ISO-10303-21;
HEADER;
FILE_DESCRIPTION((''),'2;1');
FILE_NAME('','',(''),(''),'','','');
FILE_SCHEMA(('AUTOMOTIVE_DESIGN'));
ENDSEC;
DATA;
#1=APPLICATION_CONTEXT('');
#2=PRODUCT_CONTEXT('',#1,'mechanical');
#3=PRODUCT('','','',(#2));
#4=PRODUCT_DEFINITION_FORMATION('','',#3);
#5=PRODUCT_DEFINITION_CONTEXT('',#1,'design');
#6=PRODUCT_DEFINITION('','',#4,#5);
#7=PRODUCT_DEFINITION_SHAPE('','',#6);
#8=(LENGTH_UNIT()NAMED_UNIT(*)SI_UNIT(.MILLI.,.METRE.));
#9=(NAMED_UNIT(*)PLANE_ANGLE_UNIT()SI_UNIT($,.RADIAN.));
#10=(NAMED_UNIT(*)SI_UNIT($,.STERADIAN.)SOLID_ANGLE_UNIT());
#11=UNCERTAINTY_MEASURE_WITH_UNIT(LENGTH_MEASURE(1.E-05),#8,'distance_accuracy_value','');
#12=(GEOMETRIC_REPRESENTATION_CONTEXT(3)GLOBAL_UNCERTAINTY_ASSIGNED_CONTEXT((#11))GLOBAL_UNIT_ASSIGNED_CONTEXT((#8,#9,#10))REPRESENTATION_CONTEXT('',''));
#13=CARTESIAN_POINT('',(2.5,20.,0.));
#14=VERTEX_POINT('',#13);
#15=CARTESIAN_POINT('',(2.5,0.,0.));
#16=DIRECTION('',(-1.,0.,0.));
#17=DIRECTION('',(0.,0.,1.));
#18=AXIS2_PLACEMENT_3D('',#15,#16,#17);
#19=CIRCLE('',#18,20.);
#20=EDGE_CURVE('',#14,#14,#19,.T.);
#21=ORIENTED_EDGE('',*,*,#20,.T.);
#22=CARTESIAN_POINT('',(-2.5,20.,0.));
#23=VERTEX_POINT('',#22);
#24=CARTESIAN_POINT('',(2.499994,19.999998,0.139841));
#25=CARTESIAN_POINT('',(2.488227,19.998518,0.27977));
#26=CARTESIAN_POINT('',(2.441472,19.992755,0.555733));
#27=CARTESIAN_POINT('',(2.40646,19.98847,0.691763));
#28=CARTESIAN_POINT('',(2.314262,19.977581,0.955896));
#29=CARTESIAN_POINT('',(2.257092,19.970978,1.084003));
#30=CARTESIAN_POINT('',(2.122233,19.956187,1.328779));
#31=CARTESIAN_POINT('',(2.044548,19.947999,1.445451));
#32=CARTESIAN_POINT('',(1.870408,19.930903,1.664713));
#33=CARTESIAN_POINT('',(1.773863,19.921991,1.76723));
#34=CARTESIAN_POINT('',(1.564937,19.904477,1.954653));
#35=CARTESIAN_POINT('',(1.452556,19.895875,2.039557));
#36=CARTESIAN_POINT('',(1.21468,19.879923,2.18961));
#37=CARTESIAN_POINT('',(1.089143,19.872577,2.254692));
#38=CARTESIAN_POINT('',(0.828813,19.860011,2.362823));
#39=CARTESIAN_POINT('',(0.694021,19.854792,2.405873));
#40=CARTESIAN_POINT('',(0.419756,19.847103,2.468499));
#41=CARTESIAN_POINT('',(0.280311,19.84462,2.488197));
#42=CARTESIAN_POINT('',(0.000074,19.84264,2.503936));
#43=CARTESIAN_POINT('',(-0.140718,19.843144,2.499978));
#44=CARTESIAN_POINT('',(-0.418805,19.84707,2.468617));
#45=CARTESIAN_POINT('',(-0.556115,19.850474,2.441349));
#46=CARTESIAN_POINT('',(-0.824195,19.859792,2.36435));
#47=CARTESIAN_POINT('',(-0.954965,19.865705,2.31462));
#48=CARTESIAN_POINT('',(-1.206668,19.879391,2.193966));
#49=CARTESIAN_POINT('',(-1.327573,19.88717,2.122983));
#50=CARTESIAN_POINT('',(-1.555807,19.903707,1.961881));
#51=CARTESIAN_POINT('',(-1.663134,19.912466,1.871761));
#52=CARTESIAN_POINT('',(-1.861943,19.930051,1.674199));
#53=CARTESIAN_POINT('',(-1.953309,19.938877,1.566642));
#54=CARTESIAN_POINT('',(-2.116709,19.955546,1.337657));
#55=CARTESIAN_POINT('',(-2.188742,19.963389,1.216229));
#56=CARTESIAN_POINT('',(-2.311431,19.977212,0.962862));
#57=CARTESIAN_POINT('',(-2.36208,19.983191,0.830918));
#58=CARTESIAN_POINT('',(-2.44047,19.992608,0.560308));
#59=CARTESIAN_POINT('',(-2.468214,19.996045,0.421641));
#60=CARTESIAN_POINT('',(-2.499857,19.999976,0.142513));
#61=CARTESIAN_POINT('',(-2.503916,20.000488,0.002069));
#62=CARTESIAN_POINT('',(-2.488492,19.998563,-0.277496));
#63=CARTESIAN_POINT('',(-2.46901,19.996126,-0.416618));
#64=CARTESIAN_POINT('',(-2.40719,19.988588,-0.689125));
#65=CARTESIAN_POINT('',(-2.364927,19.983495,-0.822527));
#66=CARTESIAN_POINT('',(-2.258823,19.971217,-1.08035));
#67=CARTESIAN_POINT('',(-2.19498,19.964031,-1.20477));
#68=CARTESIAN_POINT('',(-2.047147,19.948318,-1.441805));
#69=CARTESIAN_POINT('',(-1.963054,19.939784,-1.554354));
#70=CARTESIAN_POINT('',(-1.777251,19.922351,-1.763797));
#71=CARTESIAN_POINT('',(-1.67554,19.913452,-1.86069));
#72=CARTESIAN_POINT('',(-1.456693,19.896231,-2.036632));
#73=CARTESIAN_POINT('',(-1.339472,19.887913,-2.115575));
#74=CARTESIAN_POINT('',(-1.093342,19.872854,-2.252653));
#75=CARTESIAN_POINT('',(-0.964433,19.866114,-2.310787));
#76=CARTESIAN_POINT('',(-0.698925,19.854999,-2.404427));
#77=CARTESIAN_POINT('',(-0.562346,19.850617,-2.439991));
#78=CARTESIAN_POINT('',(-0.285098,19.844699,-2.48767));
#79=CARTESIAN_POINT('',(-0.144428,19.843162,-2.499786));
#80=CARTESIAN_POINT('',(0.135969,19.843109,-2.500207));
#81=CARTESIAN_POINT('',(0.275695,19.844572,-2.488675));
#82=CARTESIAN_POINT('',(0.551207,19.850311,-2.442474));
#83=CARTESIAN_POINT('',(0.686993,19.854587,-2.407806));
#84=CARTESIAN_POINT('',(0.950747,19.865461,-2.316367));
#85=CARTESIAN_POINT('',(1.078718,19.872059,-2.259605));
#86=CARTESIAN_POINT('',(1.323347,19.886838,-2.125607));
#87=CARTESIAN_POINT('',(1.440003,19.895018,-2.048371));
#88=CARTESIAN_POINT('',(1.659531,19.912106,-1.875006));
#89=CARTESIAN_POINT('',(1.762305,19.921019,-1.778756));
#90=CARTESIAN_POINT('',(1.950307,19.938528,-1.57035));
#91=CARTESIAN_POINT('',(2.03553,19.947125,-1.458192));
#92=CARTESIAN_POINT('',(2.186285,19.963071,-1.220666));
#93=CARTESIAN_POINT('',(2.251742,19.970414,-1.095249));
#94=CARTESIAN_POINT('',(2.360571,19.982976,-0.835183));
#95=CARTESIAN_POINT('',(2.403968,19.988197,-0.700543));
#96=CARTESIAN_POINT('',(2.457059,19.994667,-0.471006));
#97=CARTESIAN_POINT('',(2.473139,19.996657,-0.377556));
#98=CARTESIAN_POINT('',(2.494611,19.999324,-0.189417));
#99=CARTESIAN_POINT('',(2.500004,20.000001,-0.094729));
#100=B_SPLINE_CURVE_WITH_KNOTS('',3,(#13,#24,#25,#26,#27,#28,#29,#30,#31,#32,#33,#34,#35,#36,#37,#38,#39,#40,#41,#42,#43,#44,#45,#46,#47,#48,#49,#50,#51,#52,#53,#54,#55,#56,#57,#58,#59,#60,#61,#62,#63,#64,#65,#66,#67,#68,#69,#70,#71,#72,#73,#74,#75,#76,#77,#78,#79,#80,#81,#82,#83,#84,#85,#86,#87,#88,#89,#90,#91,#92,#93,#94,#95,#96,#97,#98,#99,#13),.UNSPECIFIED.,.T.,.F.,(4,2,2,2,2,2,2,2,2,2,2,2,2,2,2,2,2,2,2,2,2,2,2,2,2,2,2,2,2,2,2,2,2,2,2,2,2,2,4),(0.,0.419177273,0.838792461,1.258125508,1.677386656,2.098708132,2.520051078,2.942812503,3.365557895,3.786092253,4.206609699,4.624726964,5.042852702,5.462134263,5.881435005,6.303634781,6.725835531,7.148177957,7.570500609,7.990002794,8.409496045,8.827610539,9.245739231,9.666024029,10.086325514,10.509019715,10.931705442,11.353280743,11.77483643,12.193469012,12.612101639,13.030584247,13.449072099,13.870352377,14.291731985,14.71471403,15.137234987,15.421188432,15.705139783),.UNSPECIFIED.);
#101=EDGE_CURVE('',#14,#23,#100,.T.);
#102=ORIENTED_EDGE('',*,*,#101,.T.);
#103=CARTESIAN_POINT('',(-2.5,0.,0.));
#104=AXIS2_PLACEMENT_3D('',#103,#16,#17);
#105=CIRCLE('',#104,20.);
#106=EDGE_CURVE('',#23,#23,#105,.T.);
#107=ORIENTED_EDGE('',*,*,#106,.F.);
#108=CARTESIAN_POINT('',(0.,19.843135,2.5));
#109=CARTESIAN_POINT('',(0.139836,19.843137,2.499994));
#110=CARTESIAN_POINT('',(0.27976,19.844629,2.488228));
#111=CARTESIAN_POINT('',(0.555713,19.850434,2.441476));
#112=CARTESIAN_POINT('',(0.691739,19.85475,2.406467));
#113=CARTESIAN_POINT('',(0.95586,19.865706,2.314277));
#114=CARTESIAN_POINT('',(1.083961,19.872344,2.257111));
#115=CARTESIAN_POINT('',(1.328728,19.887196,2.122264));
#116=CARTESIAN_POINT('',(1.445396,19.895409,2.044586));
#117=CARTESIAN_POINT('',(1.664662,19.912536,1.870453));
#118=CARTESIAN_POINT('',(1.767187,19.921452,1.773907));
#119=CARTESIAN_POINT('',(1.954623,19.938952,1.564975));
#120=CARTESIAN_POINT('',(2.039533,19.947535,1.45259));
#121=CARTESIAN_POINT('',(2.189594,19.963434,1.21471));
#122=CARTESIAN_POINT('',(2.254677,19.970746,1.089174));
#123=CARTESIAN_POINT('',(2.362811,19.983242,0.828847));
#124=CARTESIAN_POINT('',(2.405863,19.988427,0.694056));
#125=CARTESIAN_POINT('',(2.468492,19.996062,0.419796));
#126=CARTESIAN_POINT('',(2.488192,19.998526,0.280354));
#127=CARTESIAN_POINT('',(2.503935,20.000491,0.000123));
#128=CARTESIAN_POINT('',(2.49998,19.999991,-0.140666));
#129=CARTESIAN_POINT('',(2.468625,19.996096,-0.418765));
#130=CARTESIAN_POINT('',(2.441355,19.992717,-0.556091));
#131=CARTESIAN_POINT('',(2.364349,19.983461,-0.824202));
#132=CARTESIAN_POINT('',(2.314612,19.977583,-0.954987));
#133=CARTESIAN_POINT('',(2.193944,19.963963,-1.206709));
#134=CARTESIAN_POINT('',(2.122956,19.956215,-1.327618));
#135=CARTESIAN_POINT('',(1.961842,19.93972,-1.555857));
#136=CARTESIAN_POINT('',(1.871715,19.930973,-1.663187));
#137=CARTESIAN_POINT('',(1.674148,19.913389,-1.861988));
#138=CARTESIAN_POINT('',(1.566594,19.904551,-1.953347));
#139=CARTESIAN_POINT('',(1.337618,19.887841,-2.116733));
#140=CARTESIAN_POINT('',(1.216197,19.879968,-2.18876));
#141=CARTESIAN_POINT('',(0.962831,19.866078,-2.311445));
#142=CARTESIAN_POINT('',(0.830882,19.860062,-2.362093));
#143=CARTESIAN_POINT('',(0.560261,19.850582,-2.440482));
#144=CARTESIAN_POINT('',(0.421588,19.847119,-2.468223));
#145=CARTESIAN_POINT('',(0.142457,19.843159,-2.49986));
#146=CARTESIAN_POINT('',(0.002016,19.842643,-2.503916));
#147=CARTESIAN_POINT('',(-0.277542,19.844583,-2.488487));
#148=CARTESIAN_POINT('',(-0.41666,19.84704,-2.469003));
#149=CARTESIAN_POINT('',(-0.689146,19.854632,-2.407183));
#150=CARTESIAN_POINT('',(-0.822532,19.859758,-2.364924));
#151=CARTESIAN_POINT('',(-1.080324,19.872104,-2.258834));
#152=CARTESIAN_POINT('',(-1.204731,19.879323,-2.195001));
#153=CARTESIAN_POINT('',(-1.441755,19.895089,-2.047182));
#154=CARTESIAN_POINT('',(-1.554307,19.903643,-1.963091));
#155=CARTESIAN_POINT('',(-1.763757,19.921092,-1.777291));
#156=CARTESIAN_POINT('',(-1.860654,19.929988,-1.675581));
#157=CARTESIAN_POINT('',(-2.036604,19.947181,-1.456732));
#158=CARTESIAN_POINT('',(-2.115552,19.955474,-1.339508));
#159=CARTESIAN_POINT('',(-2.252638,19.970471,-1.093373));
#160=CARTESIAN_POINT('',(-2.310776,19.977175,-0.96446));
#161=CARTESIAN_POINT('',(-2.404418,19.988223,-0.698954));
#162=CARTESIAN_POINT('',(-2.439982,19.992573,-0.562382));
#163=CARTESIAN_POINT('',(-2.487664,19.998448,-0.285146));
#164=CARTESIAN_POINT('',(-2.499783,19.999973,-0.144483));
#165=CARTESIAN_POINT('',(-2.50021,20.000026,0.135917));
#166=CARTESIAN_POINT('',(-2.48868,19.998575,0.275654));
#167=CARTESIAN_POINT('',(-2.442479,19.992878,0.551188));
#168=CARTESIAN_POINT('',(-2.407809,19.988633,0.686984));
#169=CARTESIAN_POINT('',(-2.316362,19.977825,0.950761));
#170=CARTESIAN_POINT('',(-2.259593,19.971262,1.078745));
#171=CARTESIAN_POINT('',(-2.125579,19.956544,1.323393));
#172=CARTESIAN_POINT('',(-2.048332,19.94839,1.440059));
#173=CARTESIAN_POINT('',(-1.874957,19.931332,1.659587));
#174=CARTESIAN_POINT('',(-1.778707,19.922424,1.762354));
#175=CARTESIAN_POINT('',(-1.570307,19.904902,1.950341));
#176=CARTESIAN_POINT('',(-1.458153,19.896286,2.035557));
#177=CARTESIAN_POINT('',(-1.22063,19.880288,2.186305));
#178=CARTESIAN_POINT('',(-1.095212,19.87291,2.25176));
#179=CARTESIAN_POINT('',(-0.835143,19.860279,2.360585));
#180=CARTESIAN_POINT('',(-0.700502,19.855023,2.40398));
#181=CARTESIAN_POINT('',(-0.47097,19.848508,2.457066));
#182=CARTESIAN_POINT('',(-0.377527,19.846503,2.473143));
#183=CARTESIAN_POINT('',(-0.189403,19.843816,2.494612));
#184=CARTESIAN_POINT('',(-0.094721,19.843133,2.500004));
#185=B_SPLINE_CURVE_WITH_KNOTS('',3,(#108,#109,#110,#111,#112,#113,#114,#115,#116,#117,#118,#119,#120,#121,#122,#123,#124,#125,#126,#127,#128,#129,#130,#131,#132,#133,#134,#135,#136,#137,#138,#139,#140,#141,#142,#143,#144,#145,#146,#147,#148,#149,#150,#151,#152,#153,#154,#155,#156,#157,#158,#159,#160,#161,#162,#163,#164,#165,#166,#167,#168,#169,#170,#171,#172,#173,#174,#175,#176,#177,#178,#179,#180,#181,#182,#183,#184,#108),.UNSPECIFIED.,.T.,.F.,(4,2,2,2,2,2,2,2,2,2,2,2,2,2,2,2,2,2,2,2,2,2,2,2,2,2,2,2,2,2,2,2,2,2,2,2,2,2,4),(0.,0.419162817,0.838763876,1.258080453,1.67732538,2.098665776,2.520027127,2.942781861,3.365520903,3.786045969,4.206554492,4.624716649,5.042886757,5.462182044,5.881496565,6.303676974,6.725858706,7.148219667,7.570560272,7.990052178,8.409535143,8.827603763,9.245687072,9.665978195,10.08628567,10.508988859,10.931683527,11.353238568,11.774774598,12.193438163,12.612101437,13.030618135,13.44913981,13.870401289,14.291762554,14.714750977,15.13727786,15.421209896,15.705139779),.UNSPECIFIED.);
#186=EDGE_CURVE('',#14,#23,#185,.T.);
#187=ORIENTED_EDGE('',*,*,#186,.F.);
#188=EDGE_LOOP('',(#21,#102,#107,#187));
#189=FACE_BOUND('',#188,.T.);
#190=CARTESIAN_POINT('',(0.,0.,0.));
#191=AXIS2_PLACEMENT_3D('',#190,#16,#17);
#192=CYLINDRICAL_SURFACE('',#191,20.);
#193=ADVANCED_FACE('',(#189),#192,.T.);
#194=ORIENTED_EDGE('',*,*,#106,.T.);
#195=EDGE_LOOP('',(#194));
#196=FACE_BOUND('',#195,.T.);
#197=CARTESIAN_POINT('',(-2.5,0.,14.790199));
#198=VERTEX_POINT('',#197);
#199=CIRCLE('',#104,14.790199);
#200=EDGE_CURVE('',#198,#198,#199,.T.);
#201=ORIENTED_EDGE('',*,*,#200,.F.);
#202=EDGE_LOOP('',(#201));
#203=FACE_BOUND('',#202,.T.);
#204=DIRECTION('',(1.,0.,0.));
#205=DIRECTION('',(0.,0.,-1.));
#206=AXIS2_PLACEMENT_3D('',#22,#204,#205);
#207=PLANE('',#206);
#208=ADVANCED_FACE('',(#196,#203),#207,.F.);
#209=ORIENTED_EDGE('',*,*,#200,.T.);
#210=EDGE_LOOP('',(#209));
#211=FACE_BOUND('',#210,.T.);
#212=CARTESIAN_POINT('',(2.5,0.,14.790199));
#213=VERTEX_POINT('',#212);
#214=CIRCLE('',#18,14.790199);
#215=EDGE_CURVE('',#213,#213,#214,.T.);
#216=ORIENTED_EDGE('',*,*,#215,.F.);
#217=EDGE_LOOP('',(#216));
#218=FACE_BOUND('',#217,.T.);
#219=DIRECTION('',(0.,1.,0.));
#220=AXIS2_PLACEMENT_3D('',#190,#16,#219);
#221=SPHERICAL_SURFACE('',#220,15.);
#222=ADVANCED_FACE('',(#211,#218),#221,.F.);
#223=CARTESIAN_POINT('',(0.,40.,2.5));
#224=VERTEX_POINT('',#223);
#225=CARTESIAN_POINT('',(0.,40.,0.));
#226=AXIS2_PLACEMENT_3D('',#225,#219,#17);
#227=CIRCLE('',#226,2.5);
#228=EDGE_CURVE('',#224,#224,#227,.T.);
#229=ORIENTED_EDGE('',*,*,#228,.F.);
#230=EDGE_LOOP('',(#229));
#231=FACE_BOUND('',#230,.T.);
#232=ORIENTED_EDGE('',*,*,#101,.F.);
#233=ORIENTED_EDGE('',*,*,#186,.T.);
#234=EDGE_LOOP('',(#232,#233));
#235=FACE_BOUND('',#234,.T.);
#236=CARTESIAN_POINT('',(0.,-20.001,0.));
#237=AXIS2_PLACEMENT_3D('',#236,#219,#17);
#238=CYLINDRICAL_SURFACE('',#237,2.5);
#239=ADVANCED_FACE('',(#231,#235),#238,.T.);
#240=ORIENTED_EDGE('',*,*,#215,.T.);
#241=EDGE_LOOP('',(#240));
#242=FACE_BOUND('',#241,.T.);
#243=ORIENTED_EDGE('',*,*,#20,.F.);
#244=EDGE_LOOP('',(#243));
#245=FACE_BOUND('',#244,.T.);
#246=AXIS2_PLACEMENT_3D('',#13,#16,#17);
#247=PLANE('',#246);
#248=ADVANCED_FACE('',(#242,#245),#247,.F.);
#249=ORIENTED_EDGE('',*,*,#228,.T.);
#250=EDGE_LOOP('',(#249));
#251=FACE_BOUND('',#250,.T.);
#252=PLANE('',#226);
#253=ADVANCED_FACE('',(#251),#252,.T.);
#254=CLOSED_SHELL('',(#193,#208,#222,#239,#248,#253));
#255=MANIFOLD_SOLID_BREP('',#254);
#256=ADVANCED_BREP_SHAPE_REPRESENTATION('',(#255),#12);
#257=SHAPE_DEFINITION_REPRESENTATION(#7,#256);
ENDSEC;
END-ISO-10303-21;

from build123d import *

# Parameters (mm, degrees)
BOSS_EXTRUDE2_REACH = 62
SKETCH3_R           = 2.5


with BuildPart() as part:
    # Sketch1 → Revolve1 (revolve)
    with BuildSketch(Plane.XY):
        with BuildLine():
            Line((-2.5, 20), (2.5, 20))
            Line((2.5, 20), (2.5, 14.790199458))
            ThreePointArc((2.5, 14.790199458), (0, 15), (-2.5, 14.790199458))
            Line((-2.5, 14.790199458), (-2.5, 20))
        make_face()
    revolve(axis=Axis((0, 0, 0), (1, 0, 0)))

    # Sketch3 → Boss-Extrude2 (add, up to next)
    with BuildSketch(Plane(origin=(0, 40, 0), x_dir=(1, 0, 0), z_dir=(0, 1, 0)), mode=Mode.PRIVATE) as boss_extrude2_sk1:
        Circle(SKETCH3_R)
    boss_extrude2_tool1 = extrude(boss_extrude2_sk1.sketch, amount=-BOSS_EXTRUDE2_REACH, mode=Mode.PRIVATE) - part.part
    add(boss_extrude2_tool1.solids().sort_by_distance((0, 40, 0))[0])


solid = part.part
